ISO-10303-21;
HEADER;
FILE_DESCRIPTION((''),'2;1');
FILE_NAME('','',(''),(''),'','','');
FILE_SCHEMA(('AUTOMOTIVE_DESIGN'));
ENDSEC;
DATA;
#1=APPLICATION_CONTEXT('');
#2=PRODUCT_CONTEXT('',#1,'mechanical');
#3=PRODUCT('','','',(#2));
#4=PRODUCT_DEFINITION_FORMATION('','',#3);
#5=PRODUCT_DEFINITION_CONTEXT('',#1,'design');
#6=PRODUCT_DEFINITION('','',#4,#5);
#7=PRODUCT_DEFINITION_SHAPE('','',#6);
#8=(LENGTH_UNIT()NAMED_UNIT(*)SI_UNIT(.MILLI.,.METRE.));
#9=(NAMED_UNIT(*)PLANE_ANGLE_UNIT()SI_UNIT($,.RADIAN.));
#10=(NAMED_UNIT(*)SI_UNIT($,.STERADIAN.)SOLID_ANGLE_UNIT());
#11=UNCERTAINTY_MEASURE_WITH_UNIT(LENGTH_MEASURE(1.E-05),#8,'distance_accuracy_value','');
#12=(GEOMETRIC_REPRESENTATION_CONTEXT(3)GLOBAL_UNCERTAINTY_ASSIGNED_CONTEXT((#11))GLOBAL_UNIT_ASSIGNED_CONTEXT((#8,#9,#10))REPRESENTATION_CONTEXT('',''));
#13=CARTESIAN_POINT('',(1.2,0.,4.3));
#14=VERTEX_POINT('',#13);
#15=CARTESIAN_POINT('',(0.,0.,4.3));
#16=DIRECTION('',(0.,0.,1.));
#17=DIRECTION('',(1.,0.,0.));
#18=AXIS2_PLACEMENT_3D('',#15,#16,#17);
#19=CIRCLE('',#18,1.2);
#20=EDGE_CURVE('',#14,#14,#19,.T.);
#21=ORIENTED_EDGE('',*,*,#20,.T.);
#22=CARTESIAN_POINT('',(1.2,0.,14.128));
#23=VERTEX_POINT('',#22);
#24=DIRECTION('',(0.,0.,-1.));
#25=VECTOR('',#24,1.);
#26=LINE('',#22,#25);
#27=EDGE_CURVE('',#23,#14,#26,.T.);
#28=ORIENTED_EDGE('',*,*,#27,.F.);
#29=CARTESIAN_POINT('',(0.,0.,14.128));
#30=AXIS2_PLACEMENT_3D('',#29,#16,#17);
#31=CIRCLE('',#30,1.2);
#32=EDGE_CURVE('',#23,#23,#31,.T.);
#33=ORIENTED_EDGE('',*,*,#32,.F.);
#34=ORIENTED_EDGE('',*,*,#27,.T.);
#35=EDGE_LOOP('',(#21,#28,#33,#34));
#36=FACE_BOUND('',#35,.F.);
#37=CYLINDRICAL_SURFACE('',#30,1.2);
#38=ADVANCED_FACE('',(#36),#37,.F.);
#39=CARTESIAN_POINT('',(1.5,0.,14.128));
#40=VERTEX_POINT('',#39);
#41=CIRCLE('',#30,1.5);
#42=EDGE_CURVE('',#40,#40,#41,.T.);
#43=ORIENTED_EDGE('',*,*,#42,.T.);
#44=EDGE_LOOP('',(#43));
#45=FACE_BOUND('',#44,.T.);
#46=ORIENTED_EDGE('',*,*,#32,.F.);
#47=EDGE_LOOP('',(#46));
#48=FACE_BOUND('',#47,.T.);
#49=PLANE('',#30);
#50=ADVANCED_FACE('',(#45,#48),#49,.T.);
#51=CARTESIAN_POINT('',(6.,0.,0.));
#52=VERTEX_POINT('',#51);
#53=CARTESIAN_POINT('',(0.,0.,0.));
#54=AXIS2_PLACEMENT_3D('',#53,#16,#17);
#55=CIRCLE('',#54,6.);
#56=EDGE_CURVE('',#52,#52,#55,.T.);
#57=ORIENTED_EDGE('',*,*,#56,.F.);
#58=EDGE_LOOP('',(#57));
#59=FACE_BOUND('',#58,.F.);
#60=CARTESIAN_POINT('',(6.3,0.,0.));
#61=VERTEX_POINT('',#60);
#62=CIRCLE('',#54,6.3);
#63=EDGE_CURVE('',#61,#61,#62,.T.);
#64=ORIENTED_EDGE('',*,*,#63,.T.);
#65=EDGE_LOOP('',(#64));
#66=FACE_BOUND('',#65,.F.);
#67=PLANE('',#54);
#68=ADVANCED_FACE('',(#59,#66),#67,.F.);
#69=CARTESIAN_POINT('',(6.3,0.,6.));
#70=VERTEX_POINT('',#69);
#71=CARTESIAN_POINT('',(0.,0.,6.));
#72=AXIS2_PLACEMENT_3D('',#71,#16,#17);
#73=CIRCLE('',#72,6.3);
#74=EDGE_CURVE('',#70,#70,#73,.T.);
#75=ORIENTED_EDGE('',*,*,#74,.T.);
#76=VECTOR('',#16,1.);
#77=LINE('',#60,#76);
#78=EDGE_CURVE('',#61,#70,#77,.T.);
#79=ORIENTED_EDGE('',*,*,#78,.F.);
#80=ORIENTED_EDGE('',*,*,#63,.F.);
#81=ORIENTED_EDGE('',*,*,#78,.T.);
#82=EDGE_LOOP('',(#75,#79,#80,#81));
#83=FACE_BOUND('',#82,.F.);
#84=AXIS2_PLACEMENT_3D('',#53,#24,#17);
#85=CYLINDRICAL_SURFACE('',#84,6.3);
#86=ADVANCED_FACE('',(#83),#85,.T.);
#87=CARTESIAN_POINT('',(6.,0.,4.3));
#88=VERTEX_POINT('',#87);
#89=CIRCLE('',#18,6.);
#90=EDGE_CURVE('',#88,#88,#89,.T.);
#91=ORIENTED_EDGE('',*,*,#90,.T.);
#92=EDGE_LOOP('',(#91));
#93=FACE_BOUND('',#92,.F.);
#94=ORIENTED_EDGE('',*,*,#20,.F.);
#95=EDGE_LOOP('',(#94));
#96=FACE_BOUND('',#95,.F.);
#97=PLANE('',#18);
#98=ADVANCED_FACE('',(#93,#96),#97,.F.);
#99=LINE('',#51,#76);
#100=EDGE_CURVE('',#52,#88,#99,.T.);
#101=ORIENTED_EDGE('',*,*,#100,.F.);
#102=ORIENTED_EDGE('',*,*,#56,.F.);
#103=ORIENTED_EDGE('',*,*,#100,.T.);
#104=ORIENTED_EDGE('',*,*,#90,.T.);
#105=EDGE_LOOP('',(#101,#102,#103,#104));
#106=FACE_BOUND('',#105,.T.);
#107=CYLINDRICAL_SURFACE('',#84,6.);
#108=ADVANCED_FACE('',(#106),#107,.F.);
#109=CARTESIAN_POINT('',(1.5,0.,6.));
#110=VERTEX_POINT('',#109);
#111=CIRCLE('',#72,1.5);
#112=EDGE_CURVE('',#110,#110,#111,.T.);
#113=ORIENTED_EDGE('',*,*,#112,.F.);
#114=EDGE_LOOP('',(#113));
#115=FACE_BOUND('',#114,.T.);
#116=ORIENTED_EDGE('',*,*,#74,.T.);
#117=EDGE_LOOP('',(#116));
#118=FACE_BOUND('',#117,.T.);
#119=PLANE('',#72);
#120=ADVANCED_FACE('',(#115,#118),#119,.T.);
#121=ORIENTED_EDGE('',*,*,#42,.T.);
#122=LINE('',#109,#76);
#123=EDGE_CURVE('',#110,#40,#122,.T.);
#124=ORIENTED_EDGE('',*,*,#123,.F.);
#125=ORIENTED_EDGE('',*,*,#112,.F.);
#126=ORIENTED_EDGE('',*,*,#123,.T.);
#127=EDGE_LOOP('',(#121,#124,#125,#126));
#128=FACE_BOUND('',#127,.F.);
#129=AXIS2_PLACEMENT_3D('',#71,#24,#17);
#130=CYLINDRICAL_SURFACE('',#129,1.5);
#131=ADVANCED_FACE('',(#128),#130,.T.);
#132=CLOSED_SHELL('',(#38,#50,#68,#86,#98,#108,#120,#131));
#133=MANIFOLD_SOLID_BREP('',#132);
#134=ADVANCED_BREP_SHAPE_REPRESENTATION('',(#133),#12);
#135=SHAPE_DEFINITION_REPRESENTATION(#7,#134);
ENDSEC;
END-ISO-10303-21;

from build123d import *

# Parameters (mm, degrees)
F0_R     = 6.3
F0_R_2   = 6
F2_DEPTH = 6
F3_R     = 1.5
F4_DEPTH = 8.128
F5_R     = 1.2
F6_DEPTH = 25.4
F7_DEPTH = 4.3


with BuildPart() as f2:
    # F0 (on Top) → F2 (new body)
    with BuildSketch(Plane.XY):
        Circle(F0_R)
        Circle(F0_R_2, mode=Mode.SUBTRACT)
        Circle(F0_R_2)
    extrude(amount=F2_DEPTH)

    # F3 (on face) → F4 (join)
    with BuildSketch(Plane.XY.offset(6)):
        Circle(F3_R)
    extrude(amount=F4_DEPTH)

    # F5 (on face) → F6 (cut)
    with BuildSketch(Plane.XY.offset(14.128)):
        Circle(F5_R)
    extrude(amount=-F6_DEPTH, mode=Mode.SUBTRACT)

    # F0 (on Top) → F7 (cut)
    with BuildSketch(Plane.XY):
        Circle(F0_R_2)
    extrude(amount=F7_DEPTH, mode=Mode.SUBTRACT)


solid = f2.part
